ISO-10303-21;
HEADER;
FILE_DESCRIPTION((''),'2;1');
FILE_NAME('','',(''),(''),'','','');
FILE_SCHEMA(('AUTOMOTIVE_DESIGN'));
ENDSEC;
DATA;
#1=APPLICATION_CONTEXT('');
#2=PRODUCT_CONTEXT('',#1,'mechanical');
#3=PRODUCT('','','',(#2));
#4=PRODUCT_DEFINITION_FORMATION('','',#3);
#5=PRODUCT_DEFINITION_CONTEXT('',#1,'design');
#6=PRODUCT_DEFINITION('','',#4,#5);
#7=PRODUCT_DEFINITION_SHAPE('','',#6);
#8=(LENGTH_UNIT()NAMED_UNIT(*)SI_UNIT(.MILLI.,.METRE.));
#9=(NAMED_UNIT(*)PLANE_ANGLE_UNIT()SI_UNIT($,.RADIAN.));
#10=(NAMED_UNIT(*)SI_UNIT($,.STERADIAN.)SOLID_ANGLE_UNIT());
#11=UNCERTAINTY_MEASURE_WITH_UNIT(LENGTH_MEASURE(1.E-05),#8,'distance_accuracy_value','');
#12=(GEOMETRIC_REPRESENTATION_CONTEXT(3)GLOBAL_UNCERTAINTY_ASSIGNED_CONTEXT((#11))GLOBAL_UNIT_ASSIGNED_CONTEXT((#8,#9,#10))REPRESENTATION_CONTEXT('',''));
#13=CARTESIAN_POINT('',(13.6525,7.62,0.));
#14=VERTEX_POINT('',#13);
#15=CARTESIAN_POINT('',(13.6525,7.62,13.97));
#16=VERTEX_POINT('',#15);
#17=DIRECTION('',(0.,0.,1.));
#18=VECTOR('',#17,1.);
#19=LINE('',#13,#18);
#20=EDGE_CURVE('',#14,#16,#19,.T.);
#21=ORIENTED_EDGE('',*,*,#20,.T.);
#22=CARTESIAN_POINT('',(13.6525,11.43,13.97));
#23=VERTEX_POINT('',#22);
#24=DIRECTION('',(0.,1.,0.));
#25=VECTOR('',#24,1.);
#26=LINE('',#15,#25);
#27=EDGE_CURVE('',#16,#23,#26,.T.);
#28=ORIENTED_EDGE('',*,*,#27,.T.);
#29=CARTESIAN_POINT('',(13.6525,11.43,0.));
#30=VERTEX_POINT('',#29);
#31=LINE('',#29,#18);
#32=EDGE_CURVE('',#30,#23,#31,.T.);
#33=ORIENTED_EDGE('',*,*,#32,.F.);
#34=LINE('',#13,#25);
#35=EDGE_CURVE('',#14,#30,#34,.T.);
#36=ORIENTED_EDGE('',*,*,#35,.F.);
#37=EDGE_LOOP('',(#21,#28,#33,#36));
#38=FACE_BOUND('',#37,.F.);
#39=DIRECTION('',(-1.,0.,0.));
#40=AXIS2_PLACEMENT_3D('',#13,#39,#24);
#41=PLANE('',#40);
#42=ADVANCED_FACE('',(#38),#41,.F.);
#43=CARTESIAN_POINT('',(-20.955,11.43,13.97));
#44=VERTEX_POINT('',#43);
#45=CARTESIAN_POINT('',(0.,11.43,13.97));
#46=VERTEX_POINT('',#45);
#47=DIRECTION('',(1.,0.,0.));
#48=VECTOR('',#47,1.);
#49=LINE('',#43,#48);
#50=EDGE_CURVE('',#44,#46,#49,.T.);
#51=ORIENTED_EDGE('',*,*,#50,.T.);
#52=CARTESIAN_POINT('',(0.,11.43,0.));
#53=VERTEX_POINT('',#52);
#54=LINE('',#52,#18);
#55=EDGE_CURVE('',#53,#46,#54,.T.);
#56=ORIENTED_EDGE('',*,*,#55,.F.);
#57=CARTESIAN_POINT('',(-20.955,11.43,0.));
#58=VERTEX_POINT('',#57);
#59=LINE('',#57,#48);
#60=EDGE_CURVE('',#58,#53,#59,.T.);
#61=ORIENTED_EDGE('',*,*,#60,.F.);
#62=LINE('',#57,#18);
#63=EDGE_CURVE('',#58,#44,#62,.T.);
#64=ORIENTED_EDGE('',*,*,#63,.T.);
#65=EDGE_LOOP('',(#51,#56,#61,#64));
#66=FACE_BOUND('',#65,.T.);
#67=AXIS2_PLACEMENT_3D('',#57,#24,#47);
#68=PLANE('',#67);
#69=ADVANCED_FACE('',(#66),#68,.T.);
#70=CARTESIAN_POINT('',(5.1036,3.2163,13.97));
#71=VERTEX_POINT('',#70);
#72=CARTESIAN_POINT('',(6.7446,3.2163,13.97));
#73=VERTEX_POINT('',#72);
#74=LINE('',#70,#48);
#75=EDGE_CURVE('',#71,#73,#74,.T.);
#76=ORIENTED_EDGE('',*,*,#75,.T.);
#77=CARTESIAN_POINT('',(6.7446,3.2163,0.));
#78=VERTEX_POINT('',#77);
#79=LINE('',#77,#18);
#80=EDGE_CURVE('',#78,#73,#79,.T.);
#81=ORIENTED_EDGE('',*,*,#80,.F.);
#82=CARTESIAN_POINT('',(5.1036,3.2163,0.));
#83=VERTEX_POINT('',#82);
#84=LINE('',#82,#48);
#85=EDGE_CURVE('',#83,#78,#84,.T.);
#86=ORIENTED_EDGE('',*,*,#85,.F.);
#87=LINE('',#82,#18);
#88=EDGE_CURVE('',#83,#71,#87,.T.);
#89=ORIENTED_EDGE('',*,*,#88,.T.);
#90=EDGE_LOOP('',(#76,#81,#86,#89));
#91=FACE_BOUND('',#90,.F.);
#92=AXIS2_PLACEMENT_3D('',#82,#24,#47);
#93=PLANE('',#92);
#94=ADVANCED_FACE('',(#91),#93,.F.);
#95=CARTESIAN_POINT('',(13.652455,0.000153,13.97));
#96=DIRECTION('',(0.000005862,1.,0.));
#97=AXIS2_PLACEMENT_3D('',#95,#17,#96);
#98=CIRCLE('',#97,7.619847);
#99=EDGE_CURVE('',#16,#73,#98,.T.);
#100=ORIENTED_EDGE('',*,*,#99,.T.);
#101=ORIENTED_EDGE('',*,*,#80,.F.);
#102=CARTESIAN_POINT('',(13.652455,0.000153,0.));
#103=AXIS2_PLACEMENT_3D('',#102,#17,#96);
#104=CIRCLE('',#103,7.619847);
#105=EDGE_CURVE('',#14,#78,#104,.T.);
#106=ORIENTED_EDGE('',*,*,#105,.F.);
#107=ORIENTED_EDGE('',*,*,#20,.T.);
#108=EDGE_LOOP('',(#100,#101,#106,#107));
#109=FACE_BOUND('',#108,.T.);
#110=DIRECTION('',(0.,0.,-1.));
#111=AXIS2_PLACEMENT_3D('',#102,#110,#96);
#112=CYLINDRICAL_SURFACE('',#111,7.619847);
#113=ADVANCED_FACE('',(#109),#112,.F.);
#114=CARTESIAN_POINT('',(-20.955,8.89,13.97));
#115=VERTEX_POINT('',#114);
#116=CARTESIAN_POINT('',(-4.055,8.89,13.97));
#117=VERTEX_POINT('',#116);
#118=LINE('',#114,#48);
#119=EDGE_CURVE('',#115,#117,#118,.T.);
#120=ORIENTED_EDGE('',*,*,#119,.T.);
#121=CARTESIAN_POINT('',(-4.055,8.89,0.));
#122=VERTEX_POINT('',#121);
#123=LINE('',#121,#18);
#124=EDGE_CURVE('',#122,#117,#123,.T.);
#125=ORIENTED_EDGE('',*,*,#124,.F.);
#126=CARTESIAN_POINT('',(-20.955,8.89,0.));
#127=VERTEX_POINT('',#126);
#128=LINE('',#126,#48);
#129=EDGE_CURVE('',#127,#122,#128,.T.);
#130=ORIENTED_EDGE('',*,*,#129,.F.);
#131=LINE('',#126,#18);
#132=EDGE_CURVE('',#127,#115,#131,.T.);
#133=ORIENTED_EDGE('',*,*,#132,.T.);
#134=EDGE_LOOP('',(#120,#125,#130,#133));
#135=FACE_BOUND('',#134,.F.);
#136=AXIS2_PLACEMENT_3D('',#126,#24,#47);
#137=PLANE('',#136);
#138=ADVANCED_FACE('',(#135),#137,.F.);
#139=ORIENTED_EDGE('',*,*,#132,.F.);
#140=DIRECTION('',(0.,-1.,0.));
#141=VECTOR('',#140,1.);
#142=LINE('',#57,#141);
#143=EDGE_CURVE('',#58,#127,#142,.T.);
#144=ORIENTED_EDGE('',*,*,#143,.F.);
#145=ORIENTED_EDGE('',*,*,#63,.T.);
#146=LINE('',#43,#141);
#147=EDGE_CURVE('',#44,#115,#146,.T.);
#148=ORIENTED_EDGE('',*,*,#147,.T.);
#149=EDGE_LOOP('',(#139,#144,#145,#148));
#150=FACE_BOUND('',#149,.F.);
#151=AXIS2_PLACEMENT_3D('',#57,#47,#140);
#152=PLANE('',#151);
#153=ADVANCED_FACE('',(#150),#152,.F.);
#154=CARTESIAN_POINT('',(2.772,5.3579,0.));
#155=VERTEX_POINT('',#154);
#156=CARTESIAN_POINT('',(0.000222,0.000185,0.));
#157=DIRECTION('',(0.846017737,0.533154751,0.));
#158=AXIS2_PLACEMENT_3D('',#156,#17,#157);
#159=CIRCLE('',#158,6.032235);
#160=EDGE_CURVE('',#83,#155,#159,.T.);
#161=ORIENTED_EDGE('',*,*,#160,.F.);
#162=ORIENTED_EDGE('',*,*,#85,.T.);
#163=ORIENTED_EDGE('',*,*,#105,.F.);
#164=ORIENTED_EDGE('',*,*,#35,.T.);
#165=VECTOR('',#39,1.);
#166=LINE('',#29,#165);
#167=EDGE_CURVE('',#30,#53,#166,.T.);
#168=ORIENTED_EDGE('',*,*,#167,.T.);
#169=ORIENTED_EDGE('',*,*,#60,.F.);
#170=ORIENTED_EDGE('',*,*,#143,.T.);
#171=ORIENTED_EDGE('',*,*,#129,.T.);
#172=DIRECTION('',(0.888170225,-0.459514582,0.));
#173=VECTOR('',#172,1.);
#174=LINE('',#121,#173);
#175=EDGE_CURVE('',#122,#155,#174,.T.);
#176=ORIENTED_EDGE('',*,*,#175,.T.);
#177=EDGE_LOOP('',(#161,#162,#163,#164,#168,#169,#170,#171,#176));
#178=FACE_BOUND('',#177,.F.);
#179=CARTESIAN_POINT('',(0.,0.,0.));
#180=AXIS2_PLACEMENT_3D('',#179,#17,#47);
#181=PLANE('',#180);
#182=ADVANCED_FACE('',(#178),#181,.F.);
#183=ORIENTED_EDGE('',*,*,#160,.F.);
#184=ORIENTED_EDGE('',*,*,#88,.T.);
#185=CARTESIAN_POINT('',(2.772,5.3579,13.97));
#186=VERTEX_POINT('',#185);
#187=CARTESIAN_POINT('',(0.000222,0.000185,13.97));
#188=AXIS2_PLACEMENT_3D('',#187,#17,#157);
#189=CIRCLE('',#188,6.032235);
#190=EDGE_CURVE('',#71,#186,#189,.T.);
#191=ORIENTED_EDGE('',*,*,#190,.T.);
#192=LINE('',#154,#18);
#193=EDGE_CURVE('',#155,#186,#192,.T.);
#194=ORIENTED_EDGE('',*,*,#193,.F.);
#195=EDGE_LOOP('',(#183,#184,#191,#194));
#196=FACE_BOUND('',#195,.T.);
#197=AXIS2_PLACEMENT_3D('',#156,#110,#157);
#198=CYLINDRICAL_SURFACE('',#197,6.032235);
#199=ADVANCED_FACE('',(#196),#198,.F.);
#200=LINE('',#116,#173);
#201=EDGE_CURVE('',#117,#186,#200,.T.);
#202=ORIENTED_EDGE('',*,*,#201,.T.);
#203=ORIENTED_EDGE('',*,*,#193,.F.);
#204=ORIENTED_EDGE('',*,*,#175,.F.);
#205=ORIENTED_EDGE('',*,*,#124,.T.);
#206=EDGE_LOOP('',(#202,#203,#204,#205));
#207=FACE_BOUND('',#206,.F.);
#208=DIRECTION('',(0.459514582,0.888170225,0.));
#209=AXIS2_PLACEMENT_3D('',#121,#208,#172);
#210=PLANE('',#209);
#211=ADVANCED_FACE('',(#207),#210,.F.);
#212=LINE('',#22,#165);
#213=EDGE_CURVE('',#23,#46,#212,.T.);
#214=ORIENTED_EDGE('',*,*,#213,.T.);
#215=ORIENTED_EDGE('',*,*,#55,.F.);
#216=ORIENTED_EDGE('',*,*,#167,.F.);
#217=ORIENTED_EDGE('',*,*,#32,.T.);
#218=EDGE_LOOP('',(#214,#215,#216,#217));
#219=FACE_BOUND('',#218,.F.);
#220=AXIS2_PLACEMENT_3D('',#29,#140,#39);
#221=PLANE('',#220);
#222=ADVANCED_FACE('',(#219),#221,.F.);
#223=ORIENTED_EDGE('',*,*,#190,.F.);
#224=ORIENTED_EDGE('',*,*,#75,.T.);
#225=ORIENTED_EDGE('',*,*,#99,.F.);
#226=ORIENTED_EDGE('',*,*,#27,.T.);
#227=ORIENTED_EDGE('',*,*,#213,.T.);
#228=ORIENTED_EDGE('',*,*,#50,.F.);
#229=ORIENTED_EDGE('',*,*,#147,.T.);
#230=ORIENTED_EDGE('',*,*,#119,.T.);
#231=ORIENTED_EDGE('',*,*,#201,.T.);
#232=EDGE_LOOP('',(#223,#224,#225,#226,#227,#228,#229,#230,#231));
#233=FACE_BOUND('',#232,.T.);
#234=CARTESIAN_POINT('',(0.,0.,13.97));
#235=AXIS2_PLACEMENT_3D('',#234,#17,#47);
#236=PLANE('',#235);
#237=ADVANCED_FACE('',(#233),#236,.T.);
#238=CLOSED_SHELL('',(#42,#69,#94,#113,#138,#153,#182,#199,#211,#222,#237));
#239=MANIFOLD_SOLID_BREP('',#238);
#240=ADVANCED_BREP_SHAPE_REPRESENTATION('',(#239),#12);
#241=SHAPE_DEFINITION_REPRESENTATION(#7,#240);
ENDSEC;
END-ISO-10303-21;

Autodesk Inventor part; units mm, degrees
ref_plane "YZ Plane" through (0, 0, 0) normal (1, 0, 0) x (0, 1, 0)
ref_plane "XZ Plane" through (0, 0, 0) normal (0, 1, 0) x (-1, 0, 0)
ref_plane "XY Plane" through (0, 0, 0) normal (0, 0, 1) x (1, 0, 0)
sketch "Sketch1" plane through (0, 0, 0) normal (0, 0, 1) x (1, 0, 0)
  arc A0 (5.1036, 3.2163) -> (2.772, 5.3579) centre (0, 0) ccw
  arc A1 (13.6525, 7.62) -> (6.7446, 3.2163) centre (13.6525, 0) ccw
  line L0 (13.6525, 11.43) -> (0, 11.43)
  line L1 (-20.955, 11.43) -> (0, 11.43)
  line L2 (5.1036, 3.2163) -> (6.7446, 3.2163)
  line L3 (-20.955, 11.43) -> (-20.955, 8.89)
  line L4 (-20.955, 8.89) -> (-4.055, 8.89)
  line L5 (-4.055, 8.89) -> (2.772, 5.3579)
  line L6 (13.6525, 7.62) -> (13.6525, 11.43)
  dimension "d0" = 12.065
  dimension "d4" = 2.54
extrude "Extrusion1" add sketch "Sketch1" along normal blind 13.97
sketch "Sketch2" plane through (5.1036, 3.2163, 0) normal (0, -1, 0) x (1, 0, 0)
  point P0 (-5.1036, 0)
properties part number "Antibuckler"
